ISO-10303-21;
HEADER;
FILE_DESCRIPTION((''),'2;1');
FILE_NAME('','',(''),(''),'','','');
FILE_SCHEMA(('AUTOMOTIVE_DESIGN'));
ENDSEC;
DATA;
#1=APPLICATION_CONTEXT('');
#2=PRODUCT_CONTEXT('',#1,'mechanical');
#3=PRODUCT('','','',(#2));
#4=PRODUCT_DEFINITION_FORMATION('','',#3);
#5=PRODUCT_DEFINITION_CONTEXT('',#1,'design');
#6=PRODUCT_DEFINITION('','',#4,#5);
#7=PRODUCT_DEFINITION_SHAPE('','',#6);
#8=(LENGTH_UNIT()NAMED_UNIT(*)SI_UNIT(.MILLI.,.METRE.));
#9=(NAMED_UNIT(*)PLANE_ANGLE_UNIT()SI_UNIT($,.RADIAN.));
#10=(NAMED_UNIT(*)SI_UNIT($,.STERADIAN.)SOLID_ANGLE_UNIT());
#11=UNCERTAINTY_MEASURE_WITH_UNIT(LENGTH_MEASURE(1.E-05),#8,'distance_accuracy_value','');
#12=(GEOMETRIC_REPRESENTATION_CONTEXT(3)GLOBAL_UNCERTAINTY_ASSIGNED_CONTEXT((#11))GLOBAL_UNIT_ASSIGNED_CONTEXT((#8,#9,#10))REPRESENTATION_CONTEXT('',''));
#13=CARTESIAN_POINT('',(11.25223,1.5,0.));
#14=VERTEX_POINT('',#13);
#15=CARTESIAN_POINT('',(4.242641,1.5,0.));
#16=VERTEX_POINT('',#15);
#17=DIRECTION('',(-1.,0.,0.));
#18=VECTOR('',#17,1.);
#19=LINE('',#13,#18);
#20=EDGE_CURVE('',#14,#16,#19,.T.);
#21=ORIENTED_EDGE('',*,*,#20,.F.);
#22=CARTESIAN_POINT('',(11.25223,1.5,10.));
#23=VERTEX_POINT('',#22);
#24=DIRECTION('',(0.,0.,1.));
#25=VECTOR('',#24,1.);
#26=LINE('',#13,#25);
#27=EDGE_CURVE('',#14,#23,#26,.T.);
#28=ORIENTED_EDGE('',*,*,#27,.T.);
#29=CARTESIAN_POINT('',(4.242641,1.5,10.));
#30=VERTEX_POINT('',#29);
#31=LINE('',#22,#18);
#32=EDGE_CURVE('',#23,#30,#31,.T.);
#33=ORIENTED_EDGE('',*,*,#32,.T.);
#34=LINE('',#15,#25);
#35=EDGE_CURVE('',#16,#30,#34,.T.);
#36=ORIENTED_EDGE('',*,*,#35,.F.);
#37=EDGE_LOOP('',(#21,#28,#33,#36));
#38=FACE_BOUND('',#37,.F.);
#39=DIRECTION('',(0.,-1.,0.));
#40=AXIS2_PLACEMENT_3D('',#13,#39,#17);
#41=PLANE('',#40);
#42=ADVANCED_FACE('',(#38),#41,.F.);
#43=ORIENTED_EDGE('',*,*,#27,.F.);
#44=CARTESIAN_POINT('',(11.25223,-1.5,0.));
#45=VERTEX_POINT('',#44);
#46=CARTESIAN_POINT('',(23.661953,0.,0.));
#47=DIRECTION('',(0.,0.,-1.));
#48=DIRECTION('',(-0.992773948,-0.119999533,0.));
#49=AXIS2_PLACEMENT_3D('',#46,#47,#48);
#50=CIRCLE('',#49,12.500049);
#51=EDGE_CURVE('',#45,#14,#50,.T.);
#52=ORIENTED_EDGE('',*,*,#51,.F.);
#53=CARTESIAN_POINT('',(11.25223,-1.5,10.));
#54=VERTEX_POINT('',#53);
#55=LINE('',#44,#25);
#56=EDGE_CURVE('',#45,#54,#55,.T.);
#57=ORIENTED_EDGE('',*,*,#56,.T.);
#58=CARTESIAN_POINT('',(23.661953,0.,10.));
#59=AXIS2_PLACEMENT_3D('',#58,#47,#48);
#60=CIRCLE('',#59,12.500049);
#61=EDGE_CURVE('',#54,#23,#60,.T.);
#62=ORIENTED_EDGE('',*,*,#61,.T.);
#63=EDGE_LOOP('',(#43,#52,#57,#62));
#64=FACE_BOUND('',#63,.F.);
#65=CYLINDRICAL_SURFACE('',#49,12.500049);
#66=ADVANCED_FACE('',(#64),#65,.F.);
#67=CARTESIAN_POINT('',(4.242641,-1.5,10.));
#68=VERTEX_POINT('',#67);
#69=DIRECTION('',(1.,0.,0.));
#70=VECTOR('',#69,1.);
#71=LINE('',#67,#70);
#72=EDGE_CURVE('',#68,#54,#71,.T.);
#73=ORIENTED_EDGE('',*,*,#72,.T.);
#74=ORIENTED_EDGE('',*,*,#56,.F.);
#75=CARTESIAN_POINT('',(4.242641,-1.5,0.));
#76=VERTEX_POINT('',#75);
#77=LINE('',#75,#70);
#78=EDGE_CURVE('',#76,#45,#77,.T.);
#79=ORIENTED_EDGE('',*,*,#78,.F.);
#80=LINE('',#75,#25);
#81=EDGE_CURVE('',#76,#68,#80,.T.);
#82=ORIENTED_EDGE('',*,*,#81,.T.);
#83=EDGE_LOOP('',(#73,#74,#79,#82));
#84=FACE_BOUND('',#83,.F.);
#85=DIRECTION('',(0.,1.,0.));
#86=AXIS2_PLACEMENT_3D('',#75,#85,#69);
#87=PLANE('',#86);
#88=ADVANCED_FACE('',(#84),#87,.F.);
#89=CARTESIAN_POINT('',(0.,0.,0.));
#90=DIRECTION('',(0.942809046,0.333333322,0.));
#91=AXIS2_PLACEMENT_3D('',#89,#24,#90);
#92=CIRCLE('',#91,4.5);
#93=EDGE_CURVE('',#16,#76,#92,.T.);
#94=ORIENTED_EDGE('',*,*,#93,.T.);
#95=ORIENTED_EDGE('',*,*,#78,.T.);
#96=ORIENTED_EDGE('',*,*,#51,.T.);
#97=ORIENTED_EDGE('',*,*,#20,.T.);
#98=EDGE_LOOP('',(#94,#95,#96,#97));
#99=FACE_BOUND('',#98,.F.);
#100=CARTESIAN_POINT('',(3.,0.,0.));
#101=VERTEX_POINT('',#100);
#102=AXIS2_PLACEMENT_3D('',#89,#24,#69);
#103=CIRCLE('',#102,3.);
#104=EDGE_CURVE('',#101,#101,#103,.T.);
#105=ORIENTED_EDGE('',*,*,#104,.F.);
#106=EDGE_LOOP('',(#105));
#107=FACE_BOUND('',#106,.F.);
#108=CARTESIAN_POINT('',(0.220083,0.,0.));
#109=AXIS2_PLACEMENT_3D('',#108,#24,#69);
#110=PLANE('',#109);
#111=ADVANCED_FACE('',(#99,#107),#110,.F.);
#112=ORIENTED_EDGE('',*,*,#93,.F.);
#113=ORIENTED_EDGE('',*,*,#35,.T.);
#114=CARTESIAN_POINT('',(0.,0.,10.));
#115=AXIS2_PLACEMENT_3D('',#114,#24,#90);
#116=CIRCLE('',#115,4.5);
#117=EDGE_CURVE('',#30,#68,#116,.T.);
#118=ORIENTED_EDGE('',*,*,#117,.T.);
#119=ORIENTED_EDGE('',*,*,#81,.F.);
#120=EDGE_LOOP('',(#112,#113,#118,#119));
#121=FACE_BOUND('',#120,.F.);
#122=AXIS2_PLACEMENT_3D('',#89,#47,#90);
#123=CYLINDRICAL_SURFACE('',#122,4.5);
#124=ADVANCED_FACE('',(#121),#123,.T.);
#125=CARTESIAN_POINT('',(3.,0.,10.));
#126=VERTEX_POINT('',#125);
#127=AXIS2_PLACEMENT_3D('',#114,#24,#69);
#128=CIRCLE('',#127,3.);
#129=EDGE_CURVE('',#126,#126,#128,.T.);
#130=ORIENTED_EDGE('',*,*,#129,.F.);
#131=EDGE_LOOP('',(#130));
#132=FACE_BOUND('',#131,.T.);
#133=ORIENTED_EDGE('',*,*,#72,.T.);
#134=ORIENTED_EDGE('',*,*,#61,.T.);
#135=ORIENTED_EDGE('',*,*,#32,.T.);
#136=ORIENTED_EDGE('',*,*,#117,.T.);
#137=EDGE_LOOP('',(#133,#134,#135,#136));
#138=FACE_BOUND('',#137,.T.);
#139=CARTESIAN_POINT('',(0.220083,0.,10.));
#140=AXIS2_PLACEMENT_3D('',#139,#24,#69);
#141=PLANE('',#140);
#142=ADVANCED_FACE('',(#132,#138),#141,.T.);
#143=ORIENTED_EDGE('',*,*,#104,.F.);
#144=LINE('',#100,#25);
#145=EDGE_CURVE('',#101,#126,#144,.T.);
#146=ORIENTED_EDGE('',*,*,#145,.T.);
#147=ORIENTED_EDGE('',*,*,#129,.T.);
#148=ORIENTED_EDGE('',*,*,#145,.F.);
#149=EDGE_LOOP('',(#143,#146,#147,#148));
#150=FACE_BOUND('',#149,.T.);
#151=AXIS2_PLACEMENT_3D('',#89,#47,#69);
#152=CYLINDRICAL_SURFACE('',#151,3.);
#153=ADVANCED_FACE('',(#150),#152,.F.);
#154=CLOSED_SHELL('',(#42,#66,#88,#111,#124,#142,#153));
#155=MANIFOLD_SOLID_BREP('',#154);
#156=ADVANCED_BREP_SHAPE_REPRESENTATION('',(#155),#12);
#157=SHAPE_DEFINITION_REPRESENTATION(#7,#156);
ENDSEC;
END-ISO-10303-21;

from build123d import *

# Parameters (mm, degrees)
F0_R     = 3
F1_DEPTH = 10


with BuildPart() as f1:
    # F0 (on Top) → F1 (new body)
    with BuildSketch(Plane.XY):
        with BuildLine():
            ThreePointArc((4.242641, -1.5), (4.435194, -0.760959), (4.5, 0))
            ThreePointArc((4.5, 0), (4.435194, 0.760959), (4.242641, 1.5))
            ThreePointArc((4.242641, 1.5), (-4.5, 0), (4.242641, -1.5))
        make_face()
        Circle(F0_R, mode=Mode.SUBTRACT)
        with BuildLine():
            ThreePointArc((4.242641, 1.5), (4.435194, 0.760959), (4.5, 0))
            ThreePointArc((4.5, 0), (4.435194, -0.760959), (4.242641, -1.5))
            Line((4.242641, -1.5), (11.25223, -1.5))
            ThreePointArc((11.25223, -1.5), (11.161904, 0), (11.25223, 1.5))
            Line((11.25223, 1.5), (4.242641, 1.5))
        make_face()
    extrude(amount=F1_DEPTH)


solid = f1.part
